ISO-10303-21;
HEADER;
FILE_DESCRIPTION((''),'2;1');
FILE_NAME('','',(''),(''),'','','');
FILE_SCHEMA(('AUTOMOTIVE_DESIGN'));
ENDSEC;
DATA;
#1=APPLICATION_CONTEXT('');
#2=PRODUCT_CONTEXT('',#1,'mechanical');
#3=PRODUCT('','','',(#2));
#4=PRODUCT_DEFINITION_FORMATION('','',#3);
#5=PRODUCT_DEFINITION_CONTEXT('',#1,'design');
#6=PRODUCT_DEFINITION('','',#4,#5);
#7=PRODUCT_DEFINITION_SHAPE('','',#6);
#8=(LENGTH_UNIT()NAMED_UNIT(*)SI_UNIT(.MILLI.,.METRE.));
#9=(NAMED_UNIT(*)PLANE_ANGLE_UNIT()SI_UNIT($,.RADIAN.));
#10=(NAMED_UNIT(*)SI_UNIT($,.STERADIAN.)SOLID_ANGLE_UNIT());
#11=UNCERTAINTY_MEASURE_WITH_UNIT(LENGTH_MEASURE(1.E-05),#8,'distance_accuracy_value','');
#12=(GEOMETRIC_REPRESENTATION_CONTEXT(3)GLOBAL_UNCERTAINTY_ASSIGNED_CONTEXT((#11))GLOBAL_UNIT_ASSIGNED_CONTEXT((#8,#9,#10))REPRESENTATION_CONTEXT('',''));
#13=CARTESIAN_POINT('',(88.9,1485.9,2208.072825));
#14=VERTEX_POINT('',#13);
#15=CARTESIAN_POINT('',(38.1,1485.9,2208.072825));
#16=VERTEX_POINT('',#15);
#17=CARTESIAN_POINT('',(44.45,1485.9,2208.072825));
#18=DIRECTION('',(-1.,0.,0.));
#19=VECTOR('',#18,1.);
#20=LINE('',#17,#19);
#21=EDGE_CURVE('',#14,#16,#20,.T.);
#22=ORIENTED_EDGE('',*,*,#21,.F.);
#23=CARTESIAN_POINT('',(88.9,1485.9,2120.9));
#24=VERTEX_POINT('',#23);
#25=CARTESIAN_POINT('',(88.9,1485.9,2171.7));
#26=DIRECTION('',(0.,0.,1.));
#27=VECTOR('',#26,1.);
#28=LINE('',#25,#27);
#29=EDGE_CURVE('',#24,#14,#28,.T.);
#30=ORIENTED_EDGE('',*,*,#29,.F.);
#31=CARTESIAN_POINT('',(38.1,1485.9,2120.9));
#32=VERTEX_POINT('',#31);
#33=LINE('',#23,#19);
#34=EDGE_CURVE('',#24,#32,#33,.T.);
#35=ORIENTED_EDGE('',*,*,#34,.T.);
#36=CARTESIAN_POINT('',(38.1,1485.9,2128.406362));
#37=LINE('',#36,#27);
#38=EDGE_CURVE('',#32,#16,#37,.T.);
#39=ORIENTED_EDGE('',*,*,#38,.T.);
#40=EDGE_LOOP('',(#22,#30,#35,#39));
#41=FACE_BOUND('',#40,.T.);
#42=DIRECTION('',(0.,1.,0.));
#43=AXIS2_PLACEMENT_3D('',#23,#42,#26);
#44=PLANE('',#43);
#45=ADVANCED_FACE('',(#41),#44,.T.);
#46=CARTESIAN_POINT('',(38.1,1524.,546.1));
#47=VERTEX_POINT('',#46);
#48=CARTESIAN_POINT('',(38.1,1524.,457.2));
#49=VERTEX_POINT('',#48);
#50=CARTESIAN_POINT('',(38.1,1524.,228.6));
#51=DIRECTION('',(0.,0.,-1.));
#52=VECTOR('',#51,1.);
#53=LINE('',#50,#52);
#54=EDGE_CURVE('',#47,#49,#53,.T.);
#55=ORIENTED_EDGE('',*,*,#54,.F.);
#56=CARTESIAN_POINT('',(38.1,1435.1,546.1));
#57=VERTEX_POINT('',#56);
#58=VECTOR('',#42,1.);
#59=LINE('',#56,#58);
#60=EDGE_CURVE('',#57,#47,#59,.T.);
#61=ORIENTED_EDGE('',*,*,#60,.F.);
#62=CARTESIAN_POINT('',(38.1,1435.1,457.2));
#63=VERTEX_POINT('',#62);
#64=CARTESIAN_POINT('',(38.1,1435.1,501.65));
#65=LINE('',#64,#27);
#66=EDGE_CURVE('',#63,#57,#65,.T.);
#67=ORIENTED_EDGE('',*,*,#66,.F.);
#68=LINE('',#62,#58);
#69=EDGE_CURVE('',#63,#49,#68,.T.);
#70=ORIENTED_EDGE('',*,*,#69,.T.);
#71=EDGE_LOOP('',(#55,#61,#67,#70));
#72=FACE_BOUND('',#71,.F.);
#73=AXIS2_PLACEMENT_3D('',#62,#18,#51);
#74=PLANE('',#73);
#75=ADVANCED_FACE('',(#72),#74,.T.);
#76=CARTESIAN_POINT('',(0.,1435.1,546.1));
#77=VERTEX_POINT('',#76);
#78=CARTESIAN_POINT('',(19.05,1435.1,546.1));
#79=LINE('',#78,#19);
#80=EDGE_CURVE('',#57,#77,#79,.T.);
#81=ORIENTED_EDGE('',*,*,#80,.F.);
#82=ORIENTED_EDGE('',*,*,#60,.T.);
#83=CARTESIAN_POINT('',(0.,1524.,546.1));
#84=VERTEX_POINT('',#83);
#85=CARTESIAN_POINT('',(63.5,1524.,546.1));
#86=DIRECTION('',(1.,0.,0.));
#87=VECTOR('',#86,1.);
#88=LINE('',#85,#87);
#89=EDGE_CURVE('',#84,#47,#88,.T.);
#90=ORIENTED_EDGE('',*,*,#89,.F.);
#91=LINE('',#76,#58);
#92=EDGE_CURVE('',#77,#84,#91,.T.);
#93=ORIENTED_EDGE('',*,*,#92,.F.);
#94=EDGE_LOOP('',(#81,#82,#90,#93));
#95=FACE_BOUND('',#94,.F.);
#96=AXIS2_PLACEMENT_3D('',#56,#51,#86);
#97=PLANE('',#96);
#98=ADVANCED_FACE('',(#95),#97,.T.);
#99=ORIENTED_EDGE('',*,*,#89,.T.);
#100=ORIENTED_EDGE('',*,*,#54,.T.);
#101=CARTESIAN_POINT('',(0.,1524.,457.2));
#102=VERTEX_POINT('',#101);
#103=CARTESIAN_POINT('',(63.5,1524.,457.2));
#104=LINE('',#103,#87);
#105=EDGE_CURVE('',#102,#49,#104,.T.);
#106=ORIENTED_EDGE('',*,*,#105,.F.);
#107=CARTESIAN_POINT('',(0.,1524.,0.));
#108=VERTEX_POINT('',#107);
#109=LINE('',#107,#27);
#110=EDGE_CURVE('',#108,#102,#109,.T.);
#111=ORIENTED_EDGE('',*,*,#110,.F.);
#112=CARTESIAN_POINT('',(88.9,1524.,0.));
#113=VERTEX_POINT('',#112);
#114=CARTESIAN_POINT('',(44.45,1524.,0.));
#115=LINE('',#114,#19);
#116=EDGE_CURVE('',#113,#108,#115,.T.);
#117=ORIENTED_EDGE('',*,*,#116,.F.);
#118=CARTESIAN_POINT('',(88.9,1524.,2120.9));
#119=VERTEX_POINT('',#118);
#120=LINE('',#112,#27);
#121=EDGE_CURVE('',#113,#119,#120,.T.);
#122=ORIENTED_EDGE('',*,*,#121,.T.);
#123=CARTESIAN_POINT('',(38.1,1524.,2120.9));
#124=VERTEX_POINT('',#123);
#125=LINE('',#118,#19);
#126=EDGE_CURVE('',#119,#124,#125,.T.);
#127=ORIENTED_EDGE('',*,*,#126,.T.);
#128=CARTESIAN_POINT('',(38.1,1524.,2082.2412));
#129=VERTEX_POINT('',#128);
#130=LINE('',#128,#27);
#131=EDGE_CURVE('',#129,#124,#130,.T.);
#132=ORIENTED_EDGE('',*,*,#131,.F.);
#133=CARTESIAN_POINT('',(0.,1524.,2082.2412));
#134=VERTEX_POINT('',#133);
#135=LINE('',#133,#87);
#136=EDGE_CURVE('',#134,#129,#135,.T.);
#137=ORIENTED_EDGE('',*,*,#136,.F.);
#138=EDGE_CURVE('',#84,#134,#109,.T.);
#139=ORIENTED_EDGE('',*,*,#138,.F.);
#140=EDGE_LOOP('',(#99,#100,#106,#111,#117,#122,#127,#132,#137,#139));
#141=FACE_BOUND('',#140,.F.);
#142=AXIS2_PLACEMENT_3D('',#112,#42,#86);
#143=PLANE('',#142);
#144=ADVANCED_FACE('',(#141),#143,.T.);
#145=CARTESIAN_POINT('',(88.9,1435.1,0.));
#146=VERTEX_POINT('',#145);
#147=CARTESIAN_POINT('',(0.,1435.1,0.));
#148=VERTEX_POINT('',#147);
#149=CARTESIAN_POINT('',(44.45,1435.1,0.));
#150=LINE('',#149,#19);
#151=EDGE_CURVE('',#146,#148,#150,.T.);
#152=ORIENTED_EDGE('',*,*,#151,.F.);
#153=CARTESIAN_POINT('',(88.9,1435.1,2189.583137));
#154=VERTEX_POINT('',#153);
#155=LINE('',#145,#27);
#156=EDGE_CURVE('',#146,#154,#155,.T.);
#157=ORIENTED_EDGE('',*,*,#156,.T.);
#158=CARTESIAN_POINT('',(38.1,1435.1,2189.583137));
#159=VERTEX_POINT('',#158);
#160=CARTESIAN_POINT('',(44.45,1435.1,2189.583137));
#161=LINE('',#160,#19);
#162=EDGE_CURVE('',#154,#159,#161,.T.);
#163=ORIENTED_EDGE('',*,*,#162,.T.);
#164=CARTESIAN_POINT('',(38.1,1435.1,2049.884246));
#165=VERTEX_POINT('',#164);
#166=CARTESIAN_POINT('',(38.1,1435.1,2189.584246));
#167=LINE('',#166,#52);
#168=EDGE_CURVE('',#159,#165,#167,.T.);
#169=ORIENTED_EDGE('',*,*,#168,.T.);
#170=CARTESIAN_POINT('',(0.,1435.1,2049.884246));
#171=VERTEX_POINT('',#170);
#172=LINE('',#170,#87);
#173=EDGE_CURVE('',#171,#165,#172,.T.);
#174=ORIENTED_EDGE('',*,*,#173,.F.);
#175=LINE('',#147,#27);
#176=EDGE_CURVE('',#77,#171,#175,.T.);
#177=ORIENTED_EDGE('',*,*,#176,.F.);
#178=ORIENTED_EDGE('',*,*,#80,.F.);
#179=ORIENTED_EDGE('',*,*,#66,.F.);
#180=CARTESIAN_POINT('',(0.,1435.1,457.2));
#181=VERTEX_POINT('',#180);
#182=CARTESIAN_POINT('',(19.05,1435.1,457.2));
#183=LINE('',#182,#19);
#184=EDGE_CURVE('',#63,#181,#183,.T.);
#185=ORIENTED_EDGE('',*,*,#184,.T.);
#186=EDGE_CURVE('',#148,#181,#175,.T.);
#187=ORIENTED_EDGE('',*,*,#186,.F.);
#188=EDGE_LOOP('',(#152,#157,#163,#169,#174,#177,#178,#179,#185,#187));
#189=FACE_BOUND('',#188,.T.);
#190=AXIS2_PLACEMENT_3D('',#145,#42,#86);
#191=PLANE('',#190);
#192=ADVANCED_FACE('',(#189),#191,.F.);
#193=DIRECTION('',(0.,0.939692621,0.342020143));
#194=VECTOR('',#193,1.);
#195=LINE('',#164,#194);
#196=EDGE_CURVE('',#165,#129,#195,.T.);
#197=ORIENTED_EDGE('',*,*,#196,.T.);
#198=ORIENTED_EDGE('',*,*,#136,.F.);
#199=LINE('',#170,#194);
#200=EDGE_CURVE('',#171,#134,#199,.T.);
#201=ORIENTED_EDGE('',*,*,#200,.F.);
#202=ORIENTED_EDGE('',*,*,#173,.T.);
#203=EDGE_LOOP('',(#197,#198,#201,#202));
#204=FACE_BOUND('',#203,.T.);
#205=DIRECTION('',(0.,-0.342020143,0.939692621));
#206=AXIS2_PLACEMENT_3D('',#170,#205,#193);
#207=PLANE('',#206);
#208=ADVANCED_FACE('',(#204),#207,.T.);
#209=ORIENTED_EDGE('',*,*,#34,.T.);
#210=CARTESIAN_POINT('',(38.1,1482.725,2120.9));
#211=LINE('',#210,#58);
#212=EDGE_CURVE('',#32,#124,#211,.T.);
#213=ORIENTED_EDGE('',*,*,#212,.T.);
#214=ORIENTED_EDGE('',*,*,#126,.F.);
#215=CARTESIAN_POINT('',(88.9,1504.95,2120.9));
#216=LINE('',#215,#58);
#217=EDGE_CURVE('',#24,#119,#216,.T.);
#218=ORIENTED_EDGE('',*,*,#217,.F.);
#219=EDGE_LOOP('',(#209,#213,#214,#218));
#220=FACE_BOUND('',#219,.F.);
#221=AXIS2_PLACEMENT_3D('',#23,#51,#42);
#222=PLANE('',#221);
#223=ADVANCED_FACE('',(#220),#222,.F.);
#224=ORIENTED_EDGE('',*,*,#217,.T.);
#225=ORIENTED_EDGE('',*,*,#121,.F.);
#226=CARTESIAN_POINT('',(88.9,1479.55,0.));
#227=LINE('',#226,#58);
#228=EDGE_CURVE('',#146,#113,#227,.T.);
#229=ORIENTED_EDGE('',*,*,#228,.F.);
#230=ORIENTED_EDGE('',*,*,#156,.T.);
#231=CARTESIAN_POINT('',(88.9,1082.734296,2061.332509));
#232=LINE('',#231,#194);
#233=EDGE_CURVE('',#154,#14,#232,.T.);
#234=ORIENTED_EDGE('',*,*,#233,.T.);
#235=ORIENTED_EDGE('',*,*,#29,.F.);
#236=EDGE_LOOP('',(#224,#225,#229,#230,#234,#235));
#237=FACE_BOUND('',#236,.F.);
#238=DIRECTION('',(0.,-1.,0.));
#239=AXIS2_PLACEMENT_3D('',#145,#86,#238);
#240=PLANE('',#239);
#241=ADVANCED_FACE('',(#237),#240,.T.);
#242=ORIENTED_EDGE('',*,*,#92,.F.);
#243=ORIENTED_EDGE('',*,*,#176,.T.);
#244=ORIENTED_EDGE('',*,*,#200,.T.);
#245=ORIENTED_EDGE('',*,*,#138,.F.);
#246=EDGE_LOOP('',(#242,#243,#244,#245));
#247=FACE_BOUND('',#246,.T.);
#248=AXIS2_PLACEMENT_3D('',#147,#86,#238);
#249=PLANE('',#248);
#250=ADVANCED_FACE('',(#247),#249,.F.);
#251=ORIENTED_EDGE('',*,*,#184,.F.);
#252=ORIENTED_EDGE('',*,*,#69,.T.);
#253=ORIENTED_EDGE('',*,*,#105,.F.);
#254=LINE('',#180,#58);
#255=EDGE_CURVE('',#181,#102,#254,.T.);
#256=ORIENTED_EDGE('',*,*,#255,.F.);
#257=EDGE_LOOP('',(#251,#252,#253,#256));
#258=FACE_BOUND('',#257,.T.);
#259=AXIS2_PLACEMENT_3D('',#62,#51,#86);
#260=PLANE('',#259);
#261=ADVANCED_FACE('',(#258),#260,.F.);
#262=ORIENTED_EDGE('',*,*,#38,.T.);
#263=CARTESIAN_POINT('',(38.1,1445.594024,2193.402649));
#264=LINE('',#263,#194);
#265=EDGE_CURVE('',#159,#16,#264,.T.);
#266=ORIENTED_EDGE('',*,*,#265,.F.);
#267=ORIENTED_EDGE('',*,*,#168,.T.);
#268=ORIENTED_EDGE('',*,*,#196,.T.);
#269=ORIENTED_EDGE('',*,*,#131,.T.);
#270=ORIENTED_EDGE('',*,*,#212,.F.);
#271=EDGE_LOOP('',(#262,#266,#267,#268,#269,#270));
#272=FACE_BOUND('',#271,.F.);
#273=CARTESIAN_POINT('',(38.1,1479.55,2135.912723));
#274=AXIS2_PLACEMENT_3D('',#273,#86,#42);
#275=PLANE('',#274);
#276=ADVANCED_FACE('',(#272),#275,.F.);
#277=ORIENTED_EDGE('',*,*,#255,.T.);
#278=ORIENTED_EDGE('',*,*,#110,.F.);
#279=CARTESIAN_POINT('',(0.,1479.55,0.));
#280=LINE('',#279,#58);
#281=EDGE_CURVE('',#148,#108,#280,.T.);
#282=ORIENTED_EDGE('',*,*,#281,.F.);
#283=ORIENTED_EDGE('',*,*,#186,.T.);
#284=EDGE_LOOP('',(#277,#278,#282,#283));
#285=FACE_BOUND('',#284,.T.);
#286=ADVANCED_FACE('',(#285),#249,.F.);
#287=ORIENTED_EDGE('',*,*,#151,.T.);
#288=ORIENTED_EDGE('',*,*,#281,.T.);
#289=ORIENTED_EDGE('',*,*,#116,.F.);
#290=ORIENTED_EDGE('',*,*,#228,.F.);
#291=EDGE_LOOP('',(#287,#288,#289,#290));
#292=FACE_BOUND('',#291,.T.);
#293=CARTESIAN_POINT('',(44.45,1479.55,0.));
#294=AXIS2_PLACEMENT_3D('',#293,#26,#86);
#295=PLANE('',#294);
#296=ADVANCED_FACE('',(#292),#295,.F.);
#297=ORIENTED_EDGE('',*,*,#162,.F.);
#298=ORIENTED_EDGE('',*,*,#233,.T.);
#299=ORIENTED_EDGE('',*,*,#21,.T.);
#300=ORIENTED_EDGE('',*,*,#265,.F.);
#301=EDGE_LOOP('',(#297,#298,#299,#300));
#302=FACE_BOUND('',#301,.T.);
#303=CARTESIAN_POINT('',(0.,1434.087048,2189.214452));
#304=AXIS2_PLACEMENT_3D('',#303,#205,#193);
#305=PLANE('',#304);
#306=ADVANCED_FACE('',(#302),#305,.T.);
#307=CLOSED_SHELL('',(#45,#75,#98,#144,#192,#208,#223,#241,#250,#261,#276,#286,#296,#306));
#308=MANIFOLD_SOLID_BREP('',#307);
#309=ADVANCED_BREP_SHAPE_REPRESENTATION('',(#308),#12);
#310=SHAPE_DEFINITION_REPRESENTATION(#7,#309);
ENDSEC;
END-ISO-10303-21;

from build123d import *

# Parameters (mm, degrees)
BOX006_W        = 88.9
BOX006_H        = 88.9
BOX006_DEPTH    = 2438.4
SKETCH003_W     = 38.1
SKETCH003_H     = 88.9
POCKET003_DEPTH = 88.9010000032
POCKET009_DEPTH = 88.901
POCKET013_DEPTH = 38.1
SKETCH018_W     = 38.1
SKETCH018_H     = 101.6
POCKET015_DEPTH = 88.901


with BuildPart() as nepost2:
    # Box006 → Box006 (new body)
    with BuildSketch(Plane(origin=(1435.1, 1435.1, 0), x_dir=(1, 0, 0), z_dir=(0, 0, 1))):
        with Locations((44.45, 44.45)):
            Rectangle(BOX006_W, BOX006_H)
    extrude(amount=BOX006_DEPTH)

    # Sketch003 → Pocket003 (cut, through all)
    with BuildSketch(Plane(origin=(1435.1, 1435.1, 0), x_dir=(1, 0, 0), z_dir=(0, -1, 0))):
        with Locations((69.85, 501.65)):
            Rectangle(SKETCH003_W, SKETCH003_H)
    extrude(amount=-POCKET003_DEPTH, mode=Mode.SUBTRACT)


with BuildPart() as pocket015:
    # Part__Mirroring: instance of NEpost2
    add(nepost2.part.mirror(Plane(origin=(762, 0, 0), x_dir=(0, -1, 0), z_dir=(1, 0, 0))))

    # Sketch010 → Pocket009 (cut, through all)
    with BuildSketch(Plane(origin=(0, 0, 0), x_dir=(0, -1, 0), z_dir=(-1, 0, 0))):
        Polygon((-1524.003048, 2221.9412), (-1524.003048, 2438.4), (-1434.087048, 2438.4), (-1434.087048, 2189.2144524157), align=None)
    extrude(amount=-POCKET009_DEPTH, mode=Mode.SUBTRACT)

    # Sketch014 → Pocket013 (cut)
    with BuildSketch(Plane(origin=(0, 0, 0), x_dir=(0, -1, 0), z_dir=(-1, 0, 0))):
        Polygon((-1524, 2221.9412), (-1435.1, 2189.5842461737), (-1435.1, 2049.8842461737), (-1524, 2082.2412), align=None)
    extrude(amount=-POCKET013_DEPTH, mode=Mode.SUBTRACT)

    # Sketch018 → Pocket015 (cut, through all)
    with BuildSketch(Plane.YZ.offset(88.9)):
        with Locations((1504.95, 2171.7)):
            Rectangle(SKETCH018_W, SKETCH018_H)
    extrude(amount=-POCKET015_DEPTH, mode=Mode.SUBTRACT)


solid = pocket015.part
